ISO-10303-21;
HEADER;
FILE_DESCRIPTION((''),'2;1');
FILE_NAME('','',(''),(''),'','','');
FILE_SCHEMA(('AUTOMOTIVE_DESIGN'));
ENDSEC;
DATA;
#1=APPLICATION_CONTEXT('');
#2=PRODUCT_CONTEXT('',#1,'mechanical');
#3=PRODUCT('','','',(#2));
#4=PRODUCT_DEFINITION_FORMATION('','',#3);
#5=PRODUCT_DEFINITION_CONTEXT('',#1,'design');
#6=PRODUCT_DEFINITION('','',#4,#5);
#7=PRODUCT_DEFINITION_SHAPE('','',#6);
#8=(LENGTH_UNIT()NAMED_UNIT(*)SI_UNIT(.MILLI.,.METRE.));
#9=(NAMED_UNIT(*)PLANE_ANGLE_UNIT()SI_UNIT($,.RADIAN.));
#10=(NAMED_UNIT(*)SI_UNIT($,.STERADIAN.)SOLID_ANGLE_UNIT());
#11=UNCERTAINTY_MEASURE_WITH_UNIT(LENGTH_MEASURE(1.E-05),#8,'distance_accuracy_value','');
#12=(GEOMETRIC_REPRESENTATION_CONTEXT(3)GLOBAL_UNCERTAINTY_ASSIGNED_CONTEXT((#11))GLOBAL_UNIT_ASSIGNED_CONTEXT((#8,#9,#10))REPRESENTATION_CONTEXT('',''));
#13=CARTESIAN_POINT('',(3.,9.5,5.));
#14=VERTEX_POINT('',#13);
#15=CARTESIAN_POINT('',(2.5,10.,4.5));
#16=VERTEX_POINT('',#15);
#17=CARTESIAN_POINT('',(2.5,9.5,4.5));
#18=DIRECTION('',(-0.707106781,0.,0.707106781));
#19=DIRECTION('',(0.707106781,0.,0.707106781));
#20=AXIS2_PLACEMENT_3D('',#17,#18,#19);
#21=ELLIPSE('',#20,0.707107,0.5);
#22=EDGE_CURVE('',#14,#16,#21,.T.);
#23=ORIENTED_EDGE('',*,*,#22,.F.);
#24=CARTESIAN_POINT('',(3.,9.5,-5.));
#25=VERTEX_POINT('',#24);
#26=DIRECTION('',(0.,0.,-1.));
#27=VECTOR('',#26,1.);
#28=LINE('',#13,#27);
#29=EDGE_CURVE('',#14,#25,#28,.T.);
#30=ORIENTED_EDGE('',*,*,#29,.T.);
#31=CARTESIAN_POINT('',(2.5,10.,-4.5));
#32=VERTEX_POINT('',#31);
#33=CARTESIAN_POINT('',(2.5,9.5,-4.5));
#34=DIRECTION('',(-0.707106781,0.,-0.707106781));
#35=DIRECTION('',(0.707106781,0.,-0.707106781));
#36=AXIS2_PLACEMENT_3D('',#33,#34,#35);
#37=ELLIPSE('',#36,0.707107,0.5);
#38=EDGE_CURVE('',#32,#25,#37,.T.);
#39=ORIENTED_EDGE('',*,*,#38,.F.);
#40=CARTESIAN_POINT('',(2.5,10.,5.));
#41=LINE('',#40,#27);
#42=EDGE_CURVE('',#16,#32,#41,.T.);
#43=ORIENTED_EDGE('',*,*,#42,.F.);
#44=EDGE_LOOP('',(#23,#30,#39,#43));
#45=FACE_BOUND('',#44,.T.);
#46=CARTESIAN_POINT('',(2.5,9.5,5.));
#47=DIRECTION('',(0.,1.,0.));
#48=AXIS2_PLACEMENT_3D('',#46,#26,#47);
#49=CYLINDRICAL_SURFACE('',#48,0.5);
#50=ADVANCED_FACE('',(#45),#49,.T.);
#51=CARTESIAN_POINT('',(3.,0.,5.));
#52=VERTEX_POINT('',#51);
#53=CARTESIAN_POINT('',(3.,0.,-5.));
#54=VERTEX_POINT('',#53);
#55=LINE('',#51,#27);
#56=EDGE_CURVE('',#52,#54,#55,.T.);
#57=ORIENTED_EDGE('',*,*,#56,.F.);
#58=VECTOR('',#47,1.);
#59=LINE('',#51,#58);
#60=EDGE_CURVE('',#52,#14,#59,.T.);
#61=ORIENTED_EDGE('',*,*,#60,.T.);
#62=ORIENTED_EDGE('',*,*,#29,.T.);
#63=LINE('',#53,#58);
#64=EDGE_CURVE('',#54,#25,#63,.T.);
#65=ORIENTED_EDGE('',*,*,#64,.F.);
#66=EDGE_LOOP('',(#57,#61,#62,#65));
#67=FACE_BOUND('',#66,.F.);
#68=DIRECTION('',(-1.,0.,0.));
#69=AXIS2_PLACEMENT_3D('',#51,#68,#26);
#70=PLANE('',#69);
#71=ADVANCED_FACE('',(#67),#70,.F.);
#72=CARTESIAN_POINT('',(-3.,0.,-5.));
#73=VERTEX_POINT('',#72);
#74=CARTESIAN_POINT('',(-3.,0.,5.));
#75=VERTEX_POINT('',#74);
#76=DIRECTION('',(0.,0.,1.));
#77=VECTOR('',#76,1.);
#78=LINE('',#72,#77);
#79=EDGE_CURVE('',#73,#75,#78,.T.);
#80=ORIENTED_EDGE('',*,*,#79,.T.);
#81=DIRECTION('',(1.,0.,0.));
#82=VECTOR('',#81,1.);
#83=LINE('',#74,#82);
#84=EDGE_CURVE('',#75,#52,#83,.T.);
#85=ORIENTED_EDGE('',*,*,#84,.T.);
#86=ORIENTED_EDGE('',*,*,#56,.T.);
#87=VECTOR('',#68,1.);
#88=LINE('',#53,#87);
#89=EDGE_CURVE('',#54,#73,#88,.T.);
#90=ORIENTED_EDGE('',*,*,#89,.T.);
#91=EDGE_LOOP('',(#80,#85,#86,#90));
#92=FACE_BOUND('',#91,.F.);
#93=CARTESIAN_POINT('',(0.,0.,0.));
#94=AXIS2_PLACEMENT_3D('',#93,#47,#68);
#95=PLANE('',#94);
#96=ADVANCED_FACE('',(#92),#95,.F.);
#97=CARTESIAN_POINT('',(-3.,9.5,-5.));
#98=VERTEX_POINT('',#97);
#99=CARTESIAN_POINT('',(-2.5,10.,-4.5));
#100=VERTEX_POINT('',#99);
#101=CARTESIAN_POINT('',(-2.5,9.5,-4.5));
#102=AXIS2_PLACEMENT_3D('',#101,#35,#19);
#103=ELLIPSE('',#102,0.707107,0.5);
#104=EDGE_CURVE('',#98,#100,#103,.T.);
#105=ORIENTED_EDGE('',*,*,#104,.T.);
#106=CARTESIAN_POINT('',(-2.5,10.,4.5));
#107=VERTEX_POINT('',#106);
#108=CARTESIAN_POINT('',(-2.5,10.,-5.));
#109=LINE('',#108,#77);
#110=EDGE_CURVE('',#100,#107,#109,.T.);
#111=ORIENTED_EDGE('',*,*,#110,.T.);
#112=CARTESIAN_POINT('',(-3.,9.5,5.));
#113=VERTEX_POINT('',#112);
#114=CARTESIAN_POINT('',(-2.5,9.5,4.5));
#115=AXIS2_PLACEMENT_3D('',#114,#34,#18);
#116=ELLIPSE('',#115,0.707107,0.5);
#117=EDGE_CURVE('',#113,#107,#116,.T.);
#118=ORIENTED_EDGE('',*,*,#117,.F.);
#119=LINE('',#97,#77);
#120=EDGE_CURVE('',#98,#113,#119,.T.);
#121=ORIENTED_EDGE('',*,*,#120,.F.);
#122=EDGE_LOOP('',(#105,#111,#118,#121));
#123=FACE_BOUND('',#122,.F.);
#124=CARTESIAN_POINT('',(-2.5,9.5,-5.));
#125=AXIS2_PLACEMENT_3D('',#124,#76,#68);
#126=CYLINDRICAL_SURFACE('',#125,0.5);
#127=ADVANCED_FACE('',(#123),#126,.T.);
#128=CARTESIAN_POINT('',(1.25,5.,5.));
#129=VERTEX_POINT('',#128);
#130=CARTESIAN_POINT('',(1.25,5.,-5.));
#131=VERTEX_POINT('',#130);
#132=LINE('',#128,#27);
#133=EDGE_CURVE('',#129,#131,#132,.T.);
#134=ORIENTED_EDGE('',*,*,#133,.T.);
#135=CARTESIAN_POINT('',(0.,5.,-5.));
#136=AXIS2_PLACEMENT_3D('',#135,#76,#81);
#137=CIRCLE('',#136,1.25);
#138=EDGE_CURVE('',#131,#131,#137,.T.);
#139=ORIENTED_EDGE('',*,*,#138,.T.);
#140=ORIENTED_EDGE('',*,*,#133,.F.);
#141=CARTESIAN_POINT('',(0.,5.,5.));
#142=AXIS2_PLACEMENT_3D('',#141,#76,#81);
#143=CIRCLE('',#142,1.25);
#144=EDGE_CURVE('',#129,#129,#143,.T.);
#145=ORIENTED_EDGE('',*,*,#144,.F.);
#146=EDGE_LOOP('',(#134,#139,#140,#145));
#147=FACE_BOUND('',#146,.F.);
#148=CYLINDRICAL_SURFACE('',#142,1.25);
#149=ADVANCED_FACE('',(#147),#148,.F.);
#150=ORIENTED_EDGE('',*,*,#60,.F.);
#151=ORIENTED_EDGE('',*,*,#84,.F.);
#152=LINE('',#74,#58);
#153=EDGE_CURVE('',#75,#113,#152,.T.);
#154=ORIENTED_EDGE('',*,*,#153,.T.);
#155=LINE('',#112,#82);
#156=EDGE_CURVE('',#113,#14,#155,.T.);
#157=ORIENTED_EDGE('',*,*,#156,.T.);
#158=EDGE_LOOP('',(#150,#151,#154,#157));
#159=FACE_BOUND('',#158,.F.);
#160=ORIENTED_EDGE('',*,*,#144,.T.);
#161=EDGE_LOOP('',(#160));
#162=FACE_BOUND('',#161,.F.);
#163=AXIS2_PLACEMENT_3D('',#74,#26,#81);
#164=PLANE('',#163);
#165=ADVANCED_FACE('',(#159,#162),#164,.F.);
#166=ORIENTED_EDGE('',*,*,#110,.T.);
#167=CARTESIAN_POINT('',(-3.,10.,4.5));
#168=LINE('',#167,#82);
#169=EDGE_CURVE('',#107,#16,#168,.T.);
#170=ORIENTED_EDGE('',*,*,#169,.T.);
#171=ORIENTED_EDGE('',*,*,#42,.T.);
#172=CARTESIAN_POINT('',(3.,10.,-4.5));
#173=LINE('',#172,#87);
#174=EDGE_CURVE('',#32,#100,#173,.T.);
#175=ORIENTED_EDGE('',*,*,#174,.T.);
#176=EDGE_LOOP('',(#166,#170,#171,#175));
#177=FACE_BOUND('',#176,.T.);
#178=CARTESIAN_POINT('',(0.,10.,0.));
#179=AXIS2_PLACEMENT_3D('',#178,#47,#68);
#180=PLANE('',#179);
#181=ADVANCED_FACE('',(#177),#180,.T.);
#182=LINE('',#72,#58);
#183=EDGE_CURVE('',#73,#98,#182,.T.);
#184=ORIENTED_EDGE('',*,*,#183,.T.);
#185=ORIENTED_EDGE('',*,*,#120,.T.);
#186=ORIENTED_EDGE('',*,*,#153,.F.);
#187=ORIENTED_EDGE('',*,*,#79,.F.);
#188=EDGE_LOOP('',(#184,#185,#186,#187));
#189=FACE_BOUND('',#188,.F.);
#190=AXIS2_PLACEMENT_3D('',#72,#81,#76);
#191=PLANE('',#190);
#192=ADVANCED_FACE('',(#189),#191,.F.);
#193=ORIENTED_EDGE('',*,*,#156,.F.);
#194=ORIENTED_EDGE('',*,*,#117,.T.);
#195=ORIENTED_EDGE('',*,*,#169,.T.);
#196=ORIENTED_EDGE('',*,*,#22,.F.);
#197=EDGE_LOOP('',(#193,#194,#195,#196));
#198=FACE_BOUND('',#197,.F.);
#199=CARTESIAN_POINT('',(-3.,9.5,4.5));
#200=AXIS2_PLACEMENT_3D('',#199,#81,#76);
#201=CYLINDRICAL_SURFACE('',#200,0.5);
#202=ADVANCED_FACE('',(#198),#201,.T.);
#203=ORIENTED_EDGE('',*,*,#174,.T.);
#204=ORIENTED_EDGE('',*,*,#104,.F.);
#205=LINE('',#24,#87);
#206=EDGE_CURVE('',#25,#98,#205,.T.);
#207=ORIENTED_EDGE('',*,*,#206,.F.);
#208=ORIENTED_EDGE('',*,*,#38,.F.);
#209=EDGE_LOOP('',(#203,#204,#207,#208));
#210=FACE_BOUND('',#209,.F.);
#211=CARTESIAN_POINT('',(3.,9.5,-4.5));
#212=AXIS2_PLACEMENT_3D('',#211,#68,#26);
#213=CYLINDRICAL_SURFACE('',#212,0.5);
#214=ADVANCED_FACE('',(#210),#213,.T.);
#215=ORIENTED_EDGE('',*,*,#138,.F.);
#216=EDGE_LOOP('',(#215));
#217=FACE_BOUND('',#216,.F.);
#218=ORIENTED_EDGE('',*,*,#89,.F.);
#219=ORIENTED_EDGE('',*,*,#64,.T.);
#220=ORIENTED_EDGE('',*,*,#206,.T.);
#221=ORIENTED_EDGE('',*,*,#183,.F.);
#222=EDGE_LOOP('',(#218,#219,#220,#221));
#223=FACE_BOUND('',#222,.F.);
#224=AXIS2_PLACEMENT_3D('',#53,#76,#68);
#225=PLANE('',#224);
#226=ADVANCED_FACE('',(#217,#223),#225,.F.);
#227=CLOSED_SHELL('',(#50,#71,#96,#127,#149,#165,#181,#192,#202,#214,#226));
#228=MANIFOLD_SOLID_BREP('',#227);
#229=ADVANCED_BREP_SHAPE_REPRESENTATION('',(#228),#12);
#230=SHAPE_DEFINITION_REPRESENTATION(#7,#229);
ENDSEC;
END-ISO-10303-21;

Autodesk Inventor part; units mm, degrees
ref_plane "YZ Plane" through (0, 0, 0) normal (1, 0, 0) x (0, 1, 0)
ref_plane "XZ Plane" through (0, 0, 0) normal (0, 1, 0) x (-1, 0, 0)
ref_plane "XY Plane" through (0, 0, 0) normal (0, 0, 1) x (1, 0, 0)
sketch "Эскиз2" plane through (0, 0, 0) normal (0, 1, 0) x (-1, 0, 0)
  line L0 (3, 5) -> (-3, 5)
  line L1 (-3, 5) -> (-3, -5)
  line L2 (-3, -5) -> (3, -5)
  line L3 (3, -5) -> (3, 5)
  line L4 (3, 0) -> (-3, 0) construction
  line L5 (0, 5) -> (0, -5) construction
  circle A0 centre (0, 0) radius 1.25
  dimension "d0" = 6
  dimension "d1" = 10
  dimension "d2" = 2.5
extrude "Выдавливание1" add sketch "Эскиз2" along normal blind 10 contours L3 L2 L1 L0 | A0
sketch "Эскиз4" plane through (-3, 0, 5) normal (0, 0, 1) x (1, 0, 0)
  line L0 (3, 0) -> (3, 10) construction
  line L1 (6, 10) -> (0, 10) construction
  line L2 (0, 0) -> (0, 10) construction
  line L3 (0, 5) -> (6, 5) construction
  line L4 (6, 0) -> (6, 10) construction
  circle A0 centre (3, 5) radius 1.25
  dimension "d8" = 2.5
extrude "Выдавливание3" cut sketch "Эскиз4" against normal blind 10
fillet "Сопряжение1" radius 0.5 4 edges at (-3, 10, 0) (0, 10, 5) (3, 10, 0) (0, 10, -5)
properties part number "pusher"
